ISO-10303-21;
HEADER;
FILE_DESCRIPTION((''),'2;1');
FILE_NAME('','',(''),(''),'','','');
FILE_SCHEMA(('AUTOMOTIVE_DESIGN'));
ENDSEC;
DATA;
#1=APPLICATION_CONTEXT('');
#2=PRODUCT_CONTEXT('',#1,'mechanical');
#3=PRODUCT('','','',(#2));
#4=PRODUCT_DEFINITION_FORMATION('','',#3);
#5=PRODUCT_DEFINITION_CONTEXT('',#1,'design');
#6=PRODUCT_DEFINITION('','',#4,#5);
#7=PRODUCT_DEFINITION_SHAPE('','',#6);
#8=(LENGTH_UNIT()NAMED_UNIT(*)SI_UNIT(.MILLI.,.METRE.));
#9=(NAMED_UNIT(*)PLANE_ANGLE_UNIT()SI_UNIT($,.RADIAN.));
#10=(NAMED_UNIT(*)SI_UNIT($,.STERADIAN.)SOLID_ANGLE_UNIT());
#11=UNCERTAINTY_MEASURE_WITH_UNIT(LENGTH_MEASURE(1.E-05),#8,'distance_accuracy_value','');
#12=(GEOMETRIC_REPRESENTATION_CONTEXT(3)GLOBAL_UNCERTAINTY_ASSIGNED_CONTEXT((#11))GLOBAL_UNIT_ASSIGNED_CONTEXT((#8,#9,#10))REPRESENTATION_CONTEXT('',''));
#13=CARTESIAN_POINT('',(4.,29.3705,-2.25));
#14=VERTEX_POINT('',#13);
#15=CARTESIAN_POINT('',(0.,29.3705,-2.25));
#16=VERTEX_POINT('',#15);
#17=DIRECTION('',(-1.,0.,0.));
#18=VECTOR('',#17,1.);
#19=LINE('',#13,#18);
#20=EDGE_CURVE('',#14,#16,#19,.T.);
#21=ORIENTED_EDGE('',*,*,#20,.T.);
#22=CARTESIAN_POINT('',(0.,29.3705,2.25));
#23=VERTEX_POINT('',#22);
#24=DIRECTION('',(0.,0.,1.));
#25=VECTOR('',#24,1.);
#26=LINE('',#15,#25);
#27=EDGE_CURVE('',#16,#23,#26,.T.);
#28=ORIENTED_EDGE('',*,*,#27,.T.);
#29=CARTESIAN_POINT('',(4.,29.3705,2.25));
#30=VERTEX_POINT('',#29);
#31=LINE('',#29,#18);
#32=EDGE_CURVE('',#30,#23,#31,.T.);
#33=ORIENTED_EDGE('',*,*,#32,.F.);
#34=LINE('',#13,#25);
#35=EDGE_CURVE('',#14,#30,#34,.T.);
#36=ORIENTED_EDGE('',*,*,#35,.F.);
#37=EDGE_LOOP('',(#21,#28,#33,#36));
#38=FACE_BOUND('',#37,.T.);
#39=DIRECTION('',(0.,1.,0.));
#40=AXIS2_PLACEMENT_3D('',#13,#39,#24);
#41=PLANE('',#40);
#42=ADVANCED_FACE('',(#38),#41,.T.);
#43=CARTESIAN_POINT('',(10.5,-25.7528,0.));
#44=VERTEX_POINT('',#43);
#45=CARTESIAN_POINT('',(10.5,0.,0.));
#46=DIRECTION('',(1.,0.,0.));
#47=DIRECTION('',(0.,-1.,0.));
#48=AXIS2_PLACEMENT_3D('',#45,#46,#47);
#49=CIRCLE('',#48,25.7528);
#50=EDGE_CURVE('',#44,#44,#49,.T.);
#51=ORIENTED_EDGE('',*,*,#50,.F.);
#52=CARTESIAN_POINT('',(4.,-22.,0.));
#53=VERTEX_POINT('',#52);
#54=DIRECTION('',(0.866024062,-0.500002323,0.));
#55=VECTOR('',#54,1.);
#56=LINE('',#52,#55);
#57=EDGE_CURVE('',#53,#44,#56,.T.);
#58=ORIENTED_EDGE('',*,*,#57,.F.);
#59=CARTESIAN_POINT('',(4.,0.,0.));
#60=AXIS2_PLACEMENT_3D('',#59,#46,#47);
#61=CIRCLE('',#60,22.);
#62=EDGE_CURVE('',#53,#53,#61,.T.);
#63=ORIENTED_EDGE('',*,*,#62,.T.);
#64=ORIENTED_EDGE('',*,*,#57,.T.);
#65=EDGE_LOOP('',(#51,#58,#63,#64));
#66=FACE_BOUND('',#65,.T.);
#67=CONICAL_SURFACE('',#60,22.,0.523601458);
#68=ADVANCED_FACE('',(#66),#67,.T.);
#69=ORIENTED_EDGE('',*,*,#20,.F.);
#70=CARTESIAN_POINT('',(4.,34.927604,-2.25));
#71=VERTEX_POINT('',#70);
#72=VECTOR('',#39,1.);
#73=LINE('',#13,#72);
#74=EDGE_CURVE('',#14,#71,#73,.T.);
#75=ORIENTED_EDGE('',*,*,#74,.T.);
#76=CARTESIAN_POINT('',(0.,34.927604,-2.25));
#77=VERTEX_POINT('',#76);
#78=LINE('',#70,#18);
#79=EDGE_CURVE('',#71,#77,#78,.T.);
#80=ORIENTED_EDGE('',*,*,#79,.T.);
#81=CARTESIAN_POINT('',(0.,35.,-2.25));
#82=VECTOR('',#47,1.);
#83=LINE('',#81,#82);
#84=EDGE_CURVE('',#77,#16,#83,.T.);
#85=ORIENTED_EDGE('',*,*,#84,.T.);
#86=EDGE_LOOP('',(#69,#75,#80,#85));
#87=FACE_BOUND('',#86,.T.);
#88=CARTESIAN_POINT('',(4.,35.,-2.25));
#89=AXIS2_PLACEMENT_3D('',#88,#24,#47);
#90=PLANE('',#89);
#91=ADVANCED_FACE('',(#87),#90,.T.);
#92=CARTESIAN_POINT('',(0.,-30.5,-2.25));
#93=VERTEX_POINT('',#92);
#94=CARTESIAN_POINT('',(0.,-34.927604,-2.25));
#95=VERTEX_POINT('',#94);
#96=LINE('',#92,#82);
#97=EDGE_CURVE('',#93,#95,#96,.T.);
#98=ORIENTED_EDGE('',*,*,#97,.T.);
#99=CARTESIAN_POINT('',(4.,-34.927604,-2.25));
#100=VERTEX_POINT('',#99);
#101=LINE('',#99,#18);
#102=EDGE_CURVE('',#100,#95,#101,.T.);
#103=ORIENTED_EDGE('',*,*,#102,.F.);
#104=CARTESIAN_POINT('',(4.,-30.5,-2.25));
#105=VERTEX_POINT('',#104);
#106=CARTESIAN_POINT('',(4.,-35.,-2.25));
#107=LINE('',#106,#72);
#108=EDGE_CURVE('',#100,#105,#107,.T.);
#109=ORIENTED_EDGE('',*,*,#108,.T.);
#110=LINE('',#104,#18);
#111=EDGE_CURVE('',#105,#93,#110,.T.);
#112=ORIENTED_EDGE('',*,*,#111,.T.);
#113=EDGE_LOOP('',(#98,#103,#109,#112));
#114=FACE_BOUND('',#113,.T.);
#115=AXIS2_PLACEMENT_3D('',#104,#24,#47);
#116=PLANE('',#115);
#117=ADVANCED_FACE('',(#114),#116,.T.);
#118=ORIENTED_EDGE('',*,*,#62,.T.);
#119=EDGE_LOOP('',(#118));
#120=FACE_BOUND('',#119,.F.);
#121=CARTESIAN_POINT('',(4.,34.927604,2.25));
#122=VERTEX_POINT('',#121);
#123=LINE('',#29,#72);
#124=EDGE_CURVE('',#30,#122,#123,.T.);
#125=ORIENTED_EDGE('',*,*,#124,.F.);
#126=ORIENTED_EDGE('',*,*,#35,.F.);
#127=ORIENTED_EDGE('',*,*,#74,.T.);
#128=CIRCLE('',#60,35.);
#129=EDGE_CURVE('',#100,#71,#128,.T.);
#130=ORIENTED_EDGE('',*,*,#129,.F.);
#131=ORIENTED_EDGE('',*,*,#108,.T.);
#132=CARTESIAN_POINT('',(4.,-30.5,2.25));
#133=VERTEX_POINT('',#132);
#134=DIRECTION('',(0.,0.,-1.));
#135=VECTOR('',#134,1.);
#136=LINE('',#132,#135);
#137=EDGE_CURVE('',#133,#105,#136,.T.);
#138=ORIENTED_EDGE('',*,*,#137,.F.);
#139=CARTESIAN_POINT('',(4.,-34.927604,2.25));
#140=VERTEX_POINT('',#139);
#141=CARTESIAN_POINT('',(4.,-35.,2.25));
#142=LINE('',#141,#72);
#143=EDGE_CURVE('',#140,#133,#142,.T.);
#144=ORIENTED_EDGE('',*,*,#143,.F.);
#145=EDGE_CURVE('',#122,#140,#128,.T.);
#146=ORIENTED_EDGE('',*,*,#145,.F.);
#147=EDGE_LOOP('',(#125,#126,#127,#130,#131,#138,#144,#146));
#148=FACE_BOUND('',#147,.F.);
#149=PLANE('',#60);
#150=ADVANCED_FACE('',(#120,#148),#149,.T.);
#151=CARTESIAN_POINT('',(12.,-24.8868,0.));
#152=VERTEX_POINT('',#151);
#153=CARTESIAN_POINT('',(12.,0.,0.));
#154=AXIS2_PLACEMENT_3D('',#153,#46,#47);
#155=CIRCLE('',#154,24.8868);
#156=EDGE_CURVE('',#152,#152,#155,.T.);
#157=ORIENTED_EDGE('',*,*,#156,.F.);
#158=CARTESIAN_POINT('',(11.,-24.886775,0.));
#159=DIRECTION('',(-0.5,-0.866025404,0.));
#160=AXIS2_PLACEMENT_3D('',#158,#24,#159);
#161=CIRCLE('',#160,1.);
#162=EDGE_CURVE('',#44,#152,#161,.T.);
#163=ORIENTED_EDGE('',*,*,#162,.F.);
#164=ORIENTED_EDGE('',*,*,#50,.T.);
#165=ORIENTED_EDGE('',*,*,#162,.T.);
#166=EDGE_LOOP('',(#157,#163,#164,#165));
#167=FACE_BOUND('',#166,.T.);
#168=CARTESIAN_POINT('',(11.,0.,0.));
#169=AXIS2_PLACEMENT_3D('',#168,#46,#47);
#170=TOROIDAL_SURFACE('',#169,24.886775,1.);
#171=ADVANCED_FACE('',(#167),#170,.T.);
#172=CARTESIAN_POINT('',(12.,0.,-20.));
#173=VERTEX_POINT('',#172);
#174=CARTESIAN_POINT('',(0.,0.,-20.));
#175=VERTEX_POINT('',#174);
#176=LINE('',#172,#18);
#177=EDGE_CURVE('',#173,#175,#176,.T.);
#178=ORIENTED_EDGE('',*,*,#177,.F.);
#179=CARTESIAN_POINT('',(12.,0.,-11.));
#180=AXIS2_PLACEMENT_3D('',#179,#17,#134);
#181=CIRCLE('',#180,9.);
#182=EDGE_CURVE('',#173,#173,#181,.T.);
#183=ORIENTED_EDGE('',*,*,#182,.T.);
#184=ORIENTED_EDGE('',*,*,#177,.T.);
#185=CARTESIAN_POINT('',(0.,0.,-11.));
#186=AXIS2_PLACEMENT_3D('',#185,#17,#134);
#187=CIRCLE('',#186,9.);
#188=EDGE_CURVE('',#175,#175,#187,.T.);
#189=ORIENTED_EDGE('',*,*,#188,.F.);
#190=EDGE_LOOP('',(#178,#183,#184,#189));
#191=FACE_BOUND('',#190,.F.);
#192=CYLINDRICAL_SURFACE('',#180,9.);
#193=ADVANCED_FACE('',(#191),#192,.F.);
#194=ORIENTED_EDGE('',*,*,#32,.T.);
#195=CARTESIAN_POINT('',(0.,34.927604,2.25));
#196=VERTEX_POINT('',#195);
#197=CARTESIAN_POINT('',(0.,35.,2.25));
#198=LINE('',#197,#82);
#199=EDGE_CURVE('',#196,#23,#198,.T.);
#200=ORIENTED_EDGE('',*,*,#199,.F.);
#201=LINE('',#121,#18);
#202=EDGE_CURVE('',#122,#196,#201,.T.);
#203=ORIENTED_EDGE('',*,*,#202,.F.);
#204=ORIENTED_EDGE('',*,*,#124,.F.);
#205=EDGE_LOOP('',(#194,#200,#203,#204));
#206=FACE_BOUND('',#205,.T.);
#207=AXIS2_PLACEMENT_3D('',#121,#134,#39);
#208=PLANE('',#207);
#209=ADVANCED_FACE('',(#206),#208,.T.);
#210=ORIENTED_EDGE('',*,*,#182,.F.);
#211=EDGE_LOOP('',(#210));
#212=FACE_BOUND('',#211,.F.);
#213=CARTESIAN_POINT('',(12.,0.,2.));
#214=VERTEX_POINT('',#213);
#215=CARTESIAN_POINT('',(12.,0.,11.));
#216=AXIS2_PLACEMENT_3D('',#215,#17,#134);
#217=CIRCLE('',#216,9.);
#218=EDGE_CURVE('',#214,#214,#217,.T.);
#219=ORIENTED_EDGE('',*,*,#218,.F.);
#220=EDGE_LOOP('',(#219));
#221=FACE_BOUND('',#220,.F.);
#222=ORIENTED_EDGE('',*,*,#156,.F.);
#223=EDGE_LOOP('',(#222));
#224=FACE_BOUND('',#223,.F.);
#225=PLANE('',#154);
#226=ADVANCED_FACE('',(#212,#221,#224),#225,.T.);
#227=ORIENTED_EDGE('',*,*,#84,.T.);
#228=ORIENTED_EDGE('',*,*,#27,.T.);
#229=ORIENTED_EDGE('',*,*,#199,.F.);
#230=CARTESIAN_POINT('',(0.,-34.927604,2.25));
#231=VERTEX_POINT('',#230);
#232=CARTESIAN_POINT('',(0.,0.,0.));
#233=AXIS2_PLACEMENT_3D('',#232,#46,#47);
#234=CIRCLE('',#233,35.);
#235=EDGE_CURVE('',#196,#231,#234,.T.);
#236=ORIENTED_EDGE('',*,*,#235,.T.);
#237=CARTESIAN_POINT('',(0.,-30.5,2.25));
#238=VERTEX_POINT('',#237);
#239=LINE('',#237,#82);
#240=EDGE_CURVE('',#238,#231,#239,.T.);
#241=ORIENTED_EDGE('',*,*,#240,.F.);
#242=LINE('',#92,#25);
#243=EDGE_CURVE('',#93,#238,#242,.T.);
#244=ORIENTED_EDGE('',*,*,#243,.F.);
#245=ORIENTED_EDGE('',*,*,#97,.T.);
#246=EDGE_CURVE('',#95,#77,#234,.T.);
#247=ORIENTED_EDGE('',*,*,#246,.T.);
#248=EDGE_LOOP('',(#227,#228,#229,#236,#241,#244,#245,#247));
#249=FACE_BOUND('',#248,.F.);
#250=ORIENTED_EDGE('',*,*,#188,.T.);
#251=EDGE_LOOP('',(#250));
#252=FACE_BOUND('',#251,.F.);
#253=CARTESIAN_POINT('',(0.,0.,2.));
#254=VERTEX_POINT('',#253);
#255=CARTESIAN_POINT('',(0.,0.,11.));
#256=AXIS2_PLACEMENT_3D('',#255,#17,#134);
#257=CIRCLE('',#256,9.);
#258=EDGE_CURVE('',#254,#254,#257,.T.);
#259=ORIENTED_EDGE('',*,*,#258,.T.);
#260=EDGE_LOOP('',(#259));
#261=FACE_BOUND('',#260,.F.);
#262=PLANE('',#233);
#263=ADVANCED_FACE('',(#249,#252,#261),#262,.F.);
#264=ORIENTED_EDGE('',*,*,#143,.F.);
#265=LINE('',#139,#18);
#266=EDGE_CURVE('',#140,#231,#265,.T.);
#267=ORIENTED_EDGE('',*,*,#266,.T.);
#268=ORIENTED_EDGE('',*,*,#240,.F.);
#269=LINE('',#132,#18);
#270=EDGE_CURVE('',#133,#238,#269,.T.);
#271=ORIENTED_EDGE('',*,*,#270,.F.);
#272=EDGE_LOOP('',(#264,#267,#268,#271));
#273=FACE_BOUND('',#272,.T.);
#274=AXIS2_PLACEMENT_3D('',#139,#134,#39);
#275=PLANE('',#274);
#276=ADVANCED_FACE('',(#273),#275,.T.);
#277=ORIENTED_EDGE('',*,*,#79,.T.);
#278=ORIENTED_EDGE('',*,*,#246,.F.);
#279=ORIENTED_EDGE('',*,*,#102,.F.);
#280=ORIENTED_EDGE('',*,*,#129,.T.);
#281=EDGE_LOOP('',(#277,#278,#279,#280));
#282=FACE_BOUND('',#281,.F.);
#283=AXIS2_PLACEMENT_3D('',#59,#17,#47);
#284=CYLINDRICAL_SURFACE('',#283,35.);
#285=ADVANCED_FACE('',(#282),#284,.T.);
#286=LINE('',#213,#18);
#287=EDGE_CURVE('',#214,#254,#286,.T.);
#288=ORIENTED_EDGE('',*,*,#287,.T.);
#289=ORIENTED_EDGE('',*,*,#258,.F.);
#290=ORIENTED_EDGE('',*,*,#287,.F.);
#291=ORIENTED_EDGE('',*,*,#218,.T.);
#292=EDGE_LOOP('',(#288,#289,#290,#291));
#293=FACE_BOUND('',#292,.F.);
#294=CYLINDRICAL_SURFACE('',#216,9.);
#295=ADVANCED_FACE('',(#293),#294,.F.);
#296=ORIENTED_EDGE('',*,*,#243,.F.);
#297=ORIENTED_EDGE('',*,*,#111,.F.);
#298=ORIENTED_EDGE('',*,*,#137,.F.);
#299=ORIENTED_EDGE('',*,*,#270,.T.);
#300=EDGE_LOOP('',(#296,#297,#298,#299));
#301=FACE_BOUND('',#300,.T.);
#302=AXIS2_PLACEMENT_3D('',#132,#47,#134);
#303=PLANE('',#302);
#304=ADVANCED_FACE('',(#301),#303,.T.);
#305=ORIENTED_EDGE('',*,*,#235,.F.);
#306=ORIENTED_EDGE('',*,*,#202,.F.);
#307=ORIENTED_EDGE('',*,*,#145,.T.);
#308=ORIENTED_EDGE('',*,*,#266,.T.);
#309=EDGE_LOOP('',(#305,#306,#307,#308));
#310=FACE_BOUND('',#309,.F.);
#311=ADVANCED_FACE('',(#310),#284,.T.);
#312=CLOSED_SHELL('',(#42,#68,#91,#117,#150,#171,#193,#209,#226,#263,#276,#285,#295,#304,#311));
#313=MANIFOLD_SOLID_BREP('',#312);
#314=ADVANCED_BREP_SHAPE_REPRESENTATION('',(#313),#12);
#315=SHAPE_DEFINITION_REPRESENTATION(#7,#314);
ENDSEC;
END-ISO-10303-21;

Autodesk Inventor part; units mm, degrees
ref_plane "YZ Plane" through (0, 0, 0) normal (1, 0, 0) x (0, 1, 0)
ref_plane "XZ Plane" through (0, 0, 0) normal (0, 1, 0) x (-1, 0, 0)
ref_plane "XY Plane" through (0, 0, 0) normal (0, 0, 1) x (1, 0, 0)
sketch "Эскиз1" plane through (0, 0, 0) normal (0, 0, 1) x (1, 0, 0)
  line L0 (0, 0) -> (4, 0)
  line L1 (4, 0) -> (4, -35)
  line L2 (4, -35) -> (0, -35)
  line L3 (0, -35) -> (0, 0)
  line L4 (4, 0) -> (12, 0)
  line L5 (12, 0) -> (12, -24.8868)
  line L6 (12, -26.6188) -> (4, -26.6188)
  line L7 (4, -26.6188) -> (4, 0)
  line L8 (4, 0) -> (4, -22)
  line L9 (4, -22) -> (10.5, -25.7528)
  arc A0 (10.5, -25.7528) -> (12, -24.8868) centre (11, -24.8868) ccw
  dimension "d0" = 4
  dimension "d1" = 35
  dimension "d2" = 8
  dimension "d4" = 22
  dimension "d36" = 60
  dimension "d37" = 1
revolve "Вращение1" add sketch "Эскиз1" angle 360 about axis through (0, 0, 0) along (1, 0, 0)
mirror "Зеркальное отражение1" [suppressed]
sketch "Эскиз2" plane through (12, 0, 0) normal (1, 0, 0) x (0, 0, -1)
  circle A0 centre (11, 0) radius 9
  circle A1 centre (-11, 0) radius 9
  point P0 (0, 0)
  dimension "d6" = 18
  dimension "d7" = 18
  dimension "d8" = 11
  dimension "d9" = 11
  dimension "d10" = 40
hole "Отверстие1" at (12, 0, 11) direction (-1, 0, 0) diameter 18 end through all
hole "Отверстие2" at (12, 0, -11) direction (-1, 0, 0) diameter 18 end through all
sketch "Эскиз3" plane through (4, 0, 0) normal (1, 0, 0) x (0, 0, -1)
  line L0 (-2.25, 35) -> (2.25, 35)
  line L1 (2.25, 35) -> (2.25, 29.3705)
  line L2 (2.25, 29.3705) -> (-2.25, 29.3705)
  line L3 (-2.25, 29.3705) -> (-2.25, 35)
  circle A0 centre (0, 0) radius 35 projected
  line L4 (0, 35) -> (0, 30.5)
  line L5 (0, -35) -> (0, -30.5)
  line L6 (-2.25, -30.5) -> (2.25, -30.5)
  line L7 (2.25, -30.5) -> (2.25, -35)
  line L8 (2.25, -35) -> (-2.25, -35)
  line L9 (-2.25, -35) -> (-2.25, -30.5)
  point P0 (0, 0)
  dimension "d25" = 4.5
  dimension "d26" = 4.5
  dimension "d27" = 2.25
  dimension "d28" = 0
  dimension "d29" = 4.5
  dimension "d30" = 4.5
  dimension "d31" = 4.5
  dimension "d32" = 2.25
  dimension "d33" = 0
extrude "Выдавливание1" cut sketch "Эскиз3" against normal blind 4 contours L0 A0 L3 | L0 L1 A0 | A0 L1 L2 L3 | L9 L6 L5 A0 | A0 L8 L9 | L5 L6 L7 A0 | A0 L7 L8
equation "\"d0\" = 0.5 * hFlange"
equation "\"d1\" = 0.5 * dOuter"
equation "\"d2\" = hMount"
equation "\"d4\" = 0.5 * dMinimal"
equation "\"d36\" = angleMount"
equation "\"d6\" = dHoles"
equation "\"d7\" = dHoles"
equation "\"d8\" = r2holes"
equation "\"d9\" = r2holes"
equation "\"d11\" = dHoles"
equation "\"d18\" = dHoles"
equation "\"d25\" = wSlot"
equation "\"d26\" = hSlot"
equation "\"d27\" = 0.5 * wSlot"
equation "\"d29\" = hSlot"
equation "\"d30\" = hSlot"
equation "\"d31\" = wSlot"
equation "\"d32\" = 0.5 * wSlot"
equation "\"hFlange\" = 8"
equation "\"dMinimal\" = 44"
equation "\"angleMount\" = 60deg"
equation "\"dHoles\" = 18"
equation "\"r2holes\" = 11"
equation "\"hMount\" = 8"
equation "\"wSlot\" = 4.5"
equation "\"hSlot\" = 4.5"
equation "\"dOuter\" = 70"
properties part number "SpacerCorrect"
